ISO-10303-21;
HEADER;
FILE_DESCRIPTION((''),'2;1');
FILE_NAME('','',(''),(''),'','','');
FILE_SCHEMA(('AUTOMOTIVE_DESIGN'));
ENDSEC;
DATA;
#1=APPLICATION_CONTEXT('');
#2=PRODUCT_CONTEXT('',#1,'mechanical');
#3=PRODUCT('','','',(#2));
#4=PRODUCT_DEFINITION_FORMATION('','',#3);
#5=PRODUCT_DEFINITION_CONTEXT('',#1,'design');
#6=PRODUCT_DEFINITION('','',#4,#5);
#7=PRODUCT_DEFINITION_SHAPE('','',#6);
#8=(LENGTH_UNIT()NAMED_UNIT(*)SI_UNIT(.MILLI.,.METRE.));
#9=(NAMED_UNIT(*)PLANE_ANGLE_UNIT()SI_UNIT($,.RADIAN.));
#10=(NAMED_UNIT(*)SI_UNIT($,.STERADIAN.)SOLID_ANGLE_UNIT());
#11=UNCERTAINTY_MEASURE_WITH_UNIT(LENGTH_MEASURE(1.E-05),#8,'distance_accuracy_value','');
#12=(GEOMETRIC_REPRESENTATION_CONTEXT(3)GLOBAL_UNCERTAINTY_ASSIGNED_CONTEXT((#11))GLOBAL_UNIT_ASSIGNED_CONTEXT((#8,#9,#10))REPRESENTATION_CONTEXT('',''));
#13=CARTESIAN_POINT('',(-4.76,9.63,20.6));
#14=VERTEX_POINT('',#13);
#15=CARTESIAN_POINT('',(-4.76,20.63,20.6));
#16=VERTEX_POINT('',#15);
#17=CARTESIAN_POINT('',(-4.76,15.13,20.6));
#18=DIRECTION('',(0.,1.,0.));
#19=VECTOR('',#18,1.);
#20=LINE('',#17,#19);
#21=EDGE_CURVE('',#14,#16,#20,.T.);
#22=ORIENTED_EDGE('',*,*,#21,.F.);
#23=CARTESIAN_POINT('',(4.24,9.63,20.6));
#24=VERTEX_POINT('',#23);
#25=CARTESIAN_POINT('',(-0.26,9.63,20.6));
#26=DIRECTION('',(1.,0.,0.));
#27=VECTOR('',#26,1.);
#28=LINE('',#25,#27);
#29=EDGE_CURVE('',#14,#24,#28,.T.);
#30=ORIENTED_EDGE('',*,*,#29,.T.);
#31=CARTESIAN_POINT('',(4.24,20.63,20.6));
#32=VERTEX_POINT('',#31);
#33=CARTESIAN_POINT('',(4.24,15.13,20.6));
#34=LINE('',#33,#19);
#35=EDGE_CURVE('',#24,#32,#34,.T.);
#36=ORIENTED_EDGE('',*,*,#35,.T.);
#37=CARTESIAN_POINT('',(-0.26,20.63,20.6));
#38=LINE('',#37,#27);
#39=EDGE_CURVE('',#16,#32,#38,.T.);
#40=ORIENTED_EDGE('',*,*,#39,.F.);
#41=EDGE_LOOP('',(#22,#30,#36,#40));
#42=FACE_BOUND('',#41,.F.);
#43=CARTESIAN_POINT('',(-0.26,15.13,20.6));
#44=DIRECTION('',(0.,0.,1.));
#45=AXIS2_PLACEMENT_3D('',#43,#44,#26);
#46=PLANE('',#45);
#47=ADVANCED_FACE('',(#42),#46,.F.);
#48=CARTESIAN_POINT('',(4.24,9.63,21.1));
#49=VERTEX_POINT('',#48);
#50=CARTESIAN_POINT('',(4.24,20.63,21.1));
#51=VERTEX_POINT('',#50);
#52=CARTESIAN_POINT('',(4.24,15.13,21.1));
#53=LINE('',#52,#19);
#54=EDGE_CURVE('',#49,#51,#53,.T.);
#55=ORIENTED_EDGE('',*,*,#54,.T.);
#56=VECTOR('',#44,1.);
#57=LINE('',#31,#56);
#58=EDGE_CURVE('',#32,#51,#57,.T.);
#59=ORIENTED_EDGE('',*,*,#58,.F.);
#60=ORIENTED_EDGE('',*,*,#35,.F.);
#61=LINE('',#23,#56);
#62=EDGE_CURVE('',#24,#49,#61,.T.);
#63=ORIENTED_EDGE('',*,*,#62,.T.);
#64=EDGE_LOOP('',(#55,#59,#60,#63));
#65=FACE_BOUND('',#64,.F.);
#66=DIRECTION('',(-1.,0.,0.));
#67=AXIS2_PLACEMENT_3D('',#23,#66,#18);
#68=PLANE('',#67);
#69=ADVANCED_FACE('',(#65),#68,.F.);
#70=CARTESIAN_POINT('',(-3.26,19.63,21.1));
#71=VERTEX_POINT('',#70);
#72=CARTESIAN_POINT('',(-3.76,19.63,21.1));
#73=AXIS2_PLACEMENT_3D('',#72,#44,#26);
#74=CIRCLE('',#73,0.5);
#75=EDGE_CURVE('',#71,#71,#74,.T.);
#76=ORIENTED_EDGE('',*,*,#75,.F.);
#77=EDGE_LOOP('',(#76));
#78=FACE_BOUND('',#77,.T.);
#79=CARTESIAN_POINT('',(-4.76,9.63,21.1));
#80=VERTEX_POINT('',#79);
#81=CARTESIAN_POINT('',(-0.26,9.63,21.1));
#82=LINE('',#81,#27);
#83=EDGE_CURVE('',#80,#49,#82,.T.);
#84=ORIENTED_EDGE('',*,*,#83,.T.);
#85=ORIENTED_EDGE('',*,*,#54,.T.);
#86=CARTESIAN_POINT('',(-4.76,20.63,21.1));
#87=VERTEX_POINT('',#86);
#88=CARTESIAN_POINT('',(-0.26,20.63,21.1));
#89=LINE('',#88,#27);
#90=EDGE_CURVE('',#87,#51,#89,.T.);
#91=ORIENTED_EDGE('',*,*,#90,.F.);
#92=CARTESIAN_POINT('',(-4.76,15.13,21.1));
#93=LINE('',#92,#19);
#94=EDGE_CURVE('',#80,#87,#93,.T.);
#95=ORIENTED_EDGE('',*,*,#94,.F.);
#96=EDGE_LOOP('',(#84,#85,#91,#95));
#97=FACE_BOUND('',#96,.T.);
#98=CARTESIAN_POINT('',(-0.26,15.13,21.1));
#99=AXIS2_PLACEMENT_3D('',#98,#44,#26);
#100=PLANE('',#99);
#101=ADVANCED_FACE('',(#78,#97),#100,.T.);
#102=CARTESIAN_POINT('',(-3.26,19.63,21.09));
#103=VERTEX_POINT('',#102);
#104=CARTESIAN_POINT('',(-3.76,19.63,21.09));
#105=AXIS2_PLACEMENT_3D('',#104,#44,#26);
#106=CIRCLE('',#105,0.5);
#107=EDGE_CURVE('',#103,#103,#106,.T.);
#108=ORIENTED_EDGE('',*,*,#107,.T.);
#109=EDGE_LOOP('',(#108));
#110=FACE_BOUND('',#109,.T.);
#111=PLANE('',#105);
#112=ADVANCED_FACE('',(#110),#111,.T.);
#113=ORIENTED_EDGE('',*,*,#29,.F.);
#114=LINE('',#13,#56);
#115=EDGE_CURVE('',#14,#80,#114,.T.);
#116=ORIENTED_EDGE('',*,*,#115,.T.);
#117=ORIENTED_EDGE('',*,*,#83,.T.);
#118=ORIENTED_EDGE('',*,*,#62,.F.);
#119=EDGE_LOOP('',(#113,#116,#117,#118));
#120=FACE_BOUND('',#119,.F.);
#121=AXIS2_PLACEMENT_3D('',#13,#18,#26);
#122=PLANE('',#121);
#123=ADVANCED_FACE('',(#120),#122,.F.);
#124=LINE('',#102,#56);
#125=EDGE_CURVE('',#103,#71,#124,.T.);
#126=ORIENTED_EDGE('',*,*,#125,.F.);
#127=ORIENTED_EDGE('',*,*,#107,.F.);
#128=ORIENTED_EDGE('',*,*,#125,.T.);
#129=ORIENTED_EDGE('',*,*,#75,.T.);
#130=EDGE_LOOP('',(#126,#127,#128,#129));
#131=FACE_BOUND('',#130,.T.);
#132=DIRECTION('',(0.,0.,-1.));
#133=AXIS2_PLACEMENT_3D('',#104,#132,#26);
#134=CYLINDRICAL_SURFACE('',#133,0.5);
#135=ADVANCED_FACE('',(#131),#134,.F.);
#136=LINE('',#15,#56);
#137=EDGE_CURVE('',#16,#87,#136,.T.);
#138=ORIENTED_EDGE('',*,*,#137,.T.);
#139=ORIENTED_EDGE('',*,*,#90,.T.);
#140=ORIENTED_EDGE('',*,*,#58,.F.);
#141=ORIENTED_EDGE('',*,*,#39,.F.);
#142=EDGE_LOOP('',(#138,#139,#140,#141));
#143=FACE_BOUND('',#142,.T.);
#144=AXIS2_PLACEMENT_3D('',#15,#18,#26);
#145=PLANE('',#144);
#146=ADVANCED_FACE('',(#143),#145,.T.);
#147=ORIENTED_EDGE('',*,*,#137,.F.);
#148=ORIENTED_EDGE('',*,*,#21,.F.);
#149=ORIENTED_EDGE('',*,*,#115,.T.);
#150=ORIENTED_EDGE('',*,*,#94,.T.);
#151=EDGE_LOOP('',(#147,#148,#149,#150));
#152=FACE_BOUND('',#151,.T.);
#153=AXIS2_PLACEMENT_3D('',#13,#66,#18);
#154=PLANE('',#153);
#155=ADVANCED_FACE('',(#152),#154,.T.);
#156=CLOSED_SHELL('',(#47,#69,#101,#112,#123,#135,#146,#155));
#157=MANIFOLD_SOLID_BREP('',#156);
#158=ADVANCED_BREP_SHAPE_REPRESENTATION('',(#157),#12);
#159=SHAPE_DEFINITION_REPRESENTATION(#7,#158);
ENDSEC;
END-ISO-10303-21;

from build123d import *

# Parameters (mm, degrees)
CYLINDER027_R     = 0.5
CYLINDER027_DEPTH = 0.01
BOX072_W          = 9
BOX072_H          = 11
BOX072_DEPTH      = 0.5


with BuildPart() as cylinder027:
    # Cylinder027 → Cylinder027 (new body)
    with BuildSketch(Plane(origin=(1, 10, 0.49), x_dir=(1, 0, 0), z_dir=(0, 0, 1))):
        Circle(CYLINDER027_R)
    extrude(amount=CYLINDER027_DEPTH)


with BuildPart() as large_linbo3_plate013:
    # Box072 → Box072 (new body)
    with BuildSketch(Plane.XY):
        with Locations((4.5, 5.5)):
            Rectangle(BOX072_W, BOX072_H)
    extrude(amount=BOX072_DEPTH)

    # Cut020: cut Cylinder027
    add(cylinder027.part, mode=Mode.SUBTRACT)


with BuildPart() as large_linbo3_plate013_1:
    # Cut020 placement: moved
    add(large_linbo3_plate013.part.moved(Location((-4.76, 9.63, 20.6))))


solid = large_linbo3_plate013_1.part
